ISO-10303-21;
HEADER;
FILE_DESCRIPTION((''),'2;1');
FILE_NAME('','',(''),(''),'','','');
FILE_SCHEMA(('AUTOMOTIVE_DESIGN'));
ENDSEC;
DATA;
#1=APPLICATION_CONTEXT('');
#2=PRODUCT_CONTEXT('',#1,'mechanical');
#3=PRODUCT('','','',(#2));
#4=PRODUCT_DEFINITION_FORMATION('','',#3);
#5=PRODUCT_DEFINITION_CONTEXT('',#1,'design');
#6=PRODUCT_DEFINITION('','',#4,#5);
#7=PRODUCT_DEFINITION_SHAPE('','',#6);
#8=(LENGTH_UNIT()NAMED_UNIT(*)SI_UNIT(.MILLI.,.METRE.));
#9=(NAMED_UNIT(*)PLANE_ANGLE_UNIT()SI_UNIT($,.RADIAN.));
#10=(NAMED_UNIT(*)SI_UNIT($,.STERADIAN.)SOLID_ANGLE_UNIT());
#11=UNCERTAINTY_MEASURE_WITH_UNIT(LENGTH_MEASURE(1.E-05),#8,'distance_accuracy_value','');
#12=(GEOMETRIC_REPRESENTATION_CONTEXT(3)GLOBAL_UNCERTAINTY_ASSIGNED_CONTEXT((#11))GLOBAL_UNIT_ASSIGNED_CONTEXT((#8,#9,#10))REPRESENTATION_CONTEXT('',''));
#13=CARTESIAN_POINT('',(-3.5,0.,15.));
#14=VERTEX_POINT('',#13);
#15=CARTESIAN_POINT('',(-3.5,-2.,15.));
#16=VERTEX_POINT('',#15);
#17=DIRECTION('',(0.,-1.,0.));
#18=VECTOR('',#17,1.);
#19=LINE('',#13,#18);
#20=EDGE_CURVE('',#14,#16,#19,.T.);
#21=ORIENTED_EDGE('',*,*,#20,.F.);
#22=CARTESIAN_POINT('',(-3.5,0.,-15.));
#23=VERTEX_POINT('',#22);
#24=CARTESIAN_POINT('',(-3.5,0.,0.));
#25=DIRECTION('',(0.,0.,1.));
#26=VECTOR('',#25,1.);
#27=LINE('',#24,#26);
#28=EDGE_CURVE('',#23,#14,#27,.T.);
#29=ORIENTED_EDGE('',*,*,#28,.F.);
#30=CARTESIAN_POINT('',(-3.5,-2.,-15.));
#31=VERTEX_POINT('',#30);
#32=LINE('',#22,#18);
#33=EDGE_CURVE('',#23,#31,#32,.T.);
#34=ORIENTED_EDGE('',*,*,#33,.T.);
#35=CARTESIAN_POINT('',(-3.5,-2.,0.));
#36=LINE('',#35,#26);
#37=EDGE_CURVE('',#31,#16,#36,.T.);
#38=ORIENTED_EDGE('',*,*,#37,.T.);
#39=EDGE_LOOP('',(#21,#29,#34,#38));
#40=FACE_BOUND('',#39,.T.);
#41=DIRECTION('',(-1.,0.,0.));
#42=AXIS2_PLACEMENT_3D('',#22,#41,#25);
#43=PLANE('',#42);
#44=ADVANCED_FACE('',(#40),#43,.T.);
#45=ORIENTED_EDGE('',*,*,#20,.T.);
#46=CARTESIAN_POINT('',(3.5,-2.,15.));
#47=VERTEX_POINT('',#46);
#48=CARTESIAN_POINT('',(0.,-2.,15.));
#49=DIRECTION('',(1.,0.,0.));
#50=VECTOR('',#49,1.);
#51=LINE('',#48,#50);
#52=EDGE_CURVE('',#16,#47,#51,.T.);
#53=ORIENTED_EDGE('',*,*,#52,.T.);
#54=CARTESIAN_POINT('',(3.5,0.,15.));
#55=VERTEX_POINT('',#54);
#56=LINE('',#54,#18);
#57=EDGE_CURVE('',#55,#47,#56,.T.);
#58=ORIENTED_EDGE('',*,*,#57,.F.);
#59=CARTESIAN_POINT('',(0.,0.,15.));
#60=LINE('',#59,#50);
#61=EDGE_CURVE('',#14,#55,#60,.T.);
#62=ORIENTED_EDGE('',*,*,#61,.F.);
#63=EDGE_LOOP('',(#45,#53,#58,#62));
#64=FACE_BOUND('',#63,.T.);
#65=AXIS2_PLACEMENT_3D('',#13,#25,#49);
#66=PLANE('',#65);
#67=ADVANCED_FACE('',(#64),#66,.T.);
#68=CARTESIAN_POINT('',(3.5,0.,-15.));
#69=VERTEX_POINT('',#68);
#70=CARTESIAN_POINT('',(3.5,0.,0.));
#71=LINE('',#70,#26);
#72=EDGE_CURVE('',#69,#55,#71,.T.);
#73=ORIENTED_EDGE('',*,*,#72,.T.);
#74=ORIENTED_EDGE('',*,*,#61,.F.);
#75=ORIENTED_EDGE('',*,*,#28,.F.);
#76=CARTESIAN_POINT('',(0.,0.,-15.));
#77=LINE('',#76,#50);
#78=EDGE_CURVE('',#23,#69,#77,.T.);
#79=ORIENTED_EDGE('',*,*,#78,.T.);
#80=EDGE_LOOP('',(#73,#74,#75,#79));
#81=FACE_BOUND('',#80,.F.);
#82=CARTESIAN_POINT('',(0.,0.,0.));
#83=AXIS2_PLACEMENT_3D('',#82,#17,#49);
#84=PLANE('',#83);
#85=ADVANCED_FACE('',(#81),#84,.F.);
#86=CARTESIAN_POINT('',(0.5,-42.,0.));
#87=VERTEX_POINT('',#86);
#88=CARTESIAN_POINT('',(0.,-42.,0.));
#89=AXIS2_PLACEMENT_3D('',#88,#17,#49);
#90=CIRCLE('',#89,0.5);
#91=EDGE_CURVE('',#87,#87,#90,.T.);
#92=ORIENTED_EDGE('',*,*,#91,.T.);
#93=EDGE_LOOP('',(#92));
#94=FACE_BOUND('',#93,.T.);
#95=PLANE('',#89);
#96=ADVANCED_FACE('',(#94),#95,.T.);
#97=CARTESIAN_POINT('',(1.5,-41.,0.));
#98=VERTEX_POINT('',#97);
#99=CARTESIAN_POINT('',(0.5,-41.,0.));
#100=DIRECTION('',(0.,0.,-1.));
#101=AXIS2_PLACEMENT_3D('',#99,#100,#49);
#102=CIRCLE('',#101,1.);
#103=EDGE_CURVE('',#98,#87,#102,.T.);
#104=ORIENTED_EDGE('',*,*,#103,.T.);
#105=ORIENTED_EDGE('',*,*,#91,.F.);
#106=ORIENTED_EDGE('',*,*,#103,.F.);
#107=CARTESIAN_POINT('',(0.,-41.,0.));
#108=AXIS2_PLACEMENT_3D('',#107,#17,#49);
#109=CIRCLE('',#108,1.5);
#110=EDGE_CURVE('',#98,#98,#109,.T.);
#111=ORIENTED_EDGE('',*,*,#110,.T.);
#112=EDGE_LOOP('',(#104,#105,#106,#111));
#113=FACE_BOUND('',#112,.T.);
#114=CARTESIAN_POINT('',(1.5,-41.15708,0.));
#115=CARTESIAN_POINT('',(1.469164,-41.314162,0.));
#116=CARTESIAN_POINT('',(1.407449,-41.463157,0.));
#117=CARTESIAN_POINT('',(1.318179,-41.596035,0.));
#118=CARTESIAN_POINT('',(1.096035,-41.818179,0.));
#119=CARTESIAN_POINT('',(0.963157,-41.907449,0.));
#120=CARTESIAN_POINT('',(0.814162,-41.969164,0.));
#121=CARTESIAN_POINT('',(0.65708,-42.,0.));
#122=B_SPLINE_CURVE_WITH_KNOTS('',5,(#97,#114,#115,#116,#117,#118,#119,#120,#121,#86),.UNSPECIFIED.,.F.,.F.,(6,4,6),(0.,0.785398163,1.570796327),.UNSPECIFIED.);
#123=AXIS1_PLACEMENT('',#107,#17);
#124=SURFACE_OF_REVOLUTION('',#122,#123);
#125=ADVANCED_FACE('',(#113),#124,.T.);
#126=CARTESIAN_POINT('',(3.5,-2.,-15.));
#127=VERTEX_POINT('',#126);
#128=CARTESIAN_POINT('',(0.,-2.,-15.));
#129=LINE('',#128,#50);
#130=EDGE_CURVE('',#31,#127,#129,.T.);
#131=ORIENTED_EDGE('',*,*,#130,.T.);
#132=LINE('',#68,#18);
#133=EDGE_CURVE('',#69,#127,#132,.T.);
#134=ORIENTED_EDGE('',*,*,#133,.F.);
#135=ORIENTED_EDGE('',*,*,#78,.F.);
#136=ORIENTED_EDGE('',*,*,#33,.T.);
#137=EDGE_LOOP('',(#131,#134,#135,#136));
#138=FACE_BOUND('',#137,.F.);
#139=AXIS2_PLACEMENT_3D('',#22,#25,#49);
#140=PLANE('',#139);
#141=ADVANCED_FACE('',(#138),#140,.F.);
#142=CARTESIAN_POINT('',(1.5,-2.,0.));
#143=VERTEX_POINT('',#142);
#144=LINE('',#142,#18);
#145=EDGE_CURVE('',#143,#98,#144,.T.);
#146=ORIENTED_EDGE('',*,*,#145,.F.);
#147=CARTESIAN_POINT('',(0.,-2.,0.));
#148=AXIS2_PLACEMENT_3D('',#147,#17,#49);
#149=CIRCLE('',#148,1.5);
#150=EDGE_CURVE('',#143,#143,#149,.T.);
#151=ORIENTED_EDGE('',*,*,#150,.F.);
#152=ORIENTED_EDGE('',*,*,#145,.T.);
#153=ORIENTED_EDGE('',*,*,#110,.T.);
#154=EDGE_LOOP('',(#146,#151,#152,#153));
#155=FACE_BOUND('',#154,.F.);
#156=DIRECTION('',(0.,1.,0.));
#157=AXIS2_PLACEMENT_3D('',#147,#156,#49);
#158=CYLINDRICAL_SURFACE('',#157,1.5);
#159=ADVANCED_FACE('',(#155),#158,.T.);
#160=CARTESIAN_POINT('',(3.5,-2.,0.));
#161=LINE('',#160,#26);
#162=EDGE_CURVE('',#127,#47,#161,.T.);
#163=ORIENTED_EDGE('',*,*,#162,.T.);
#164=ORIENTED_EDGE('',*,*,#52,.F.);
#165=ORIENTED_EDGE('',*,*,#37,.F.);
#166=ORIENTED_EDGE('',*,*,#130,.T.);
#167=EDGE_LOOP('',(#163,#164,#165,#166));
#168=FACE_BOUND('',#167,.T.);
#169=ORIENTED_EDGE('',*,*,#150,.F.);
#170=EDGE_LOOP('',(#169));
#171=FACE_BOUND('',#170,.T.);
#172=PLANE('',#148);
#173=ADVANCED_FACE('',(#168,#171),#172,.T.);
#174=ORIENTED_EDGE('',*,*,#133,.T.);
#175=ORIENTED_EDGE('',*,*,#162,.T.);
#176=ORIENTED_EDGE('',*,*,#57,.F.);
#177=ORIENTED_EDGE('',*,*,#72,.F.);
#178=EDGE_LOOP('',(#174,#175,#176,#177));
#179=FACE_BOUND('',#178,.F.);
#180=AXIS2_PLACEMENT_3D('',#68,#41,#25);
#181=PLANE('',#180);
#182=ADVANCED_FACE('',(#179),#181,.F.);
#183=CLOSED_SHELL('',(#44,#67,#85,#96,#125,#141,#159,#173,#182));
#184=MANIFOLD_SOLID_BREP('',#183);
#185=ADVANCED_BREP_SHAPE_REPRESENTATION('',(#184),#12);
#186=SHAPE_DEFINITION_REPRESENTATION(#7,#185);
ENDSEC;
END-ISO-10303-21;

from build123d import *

# Parameters (mm, degrees)
F0_W     = 7
F0_H     = 30
F1_DEPTH = 2
F2_R     = 1.5
F3_DEPTH = 40
F4_R     = 1


with BuildPart() as f1:
    # F0 (on Front) → F1 (new body)
    with BuildSketch(Plane.XZ):
        Rectangle(F0_W, F0_H)
    extrude(amount=F1_DEPTH)

    # F2 (on face) → F3 (join)
    with BuildSketch(Plane.XZ.offset(2)):
        Circle(F2_R)
    extrude(amount=F3_DEPTH)

    # F4
    f4_edges = [f1.edges().sort_by_distance(p)[0] for p in [
        (-1.5, -42, 0),
    ]]
    fillet(f4_edges, radius=F4_R)


solid = f1.part
